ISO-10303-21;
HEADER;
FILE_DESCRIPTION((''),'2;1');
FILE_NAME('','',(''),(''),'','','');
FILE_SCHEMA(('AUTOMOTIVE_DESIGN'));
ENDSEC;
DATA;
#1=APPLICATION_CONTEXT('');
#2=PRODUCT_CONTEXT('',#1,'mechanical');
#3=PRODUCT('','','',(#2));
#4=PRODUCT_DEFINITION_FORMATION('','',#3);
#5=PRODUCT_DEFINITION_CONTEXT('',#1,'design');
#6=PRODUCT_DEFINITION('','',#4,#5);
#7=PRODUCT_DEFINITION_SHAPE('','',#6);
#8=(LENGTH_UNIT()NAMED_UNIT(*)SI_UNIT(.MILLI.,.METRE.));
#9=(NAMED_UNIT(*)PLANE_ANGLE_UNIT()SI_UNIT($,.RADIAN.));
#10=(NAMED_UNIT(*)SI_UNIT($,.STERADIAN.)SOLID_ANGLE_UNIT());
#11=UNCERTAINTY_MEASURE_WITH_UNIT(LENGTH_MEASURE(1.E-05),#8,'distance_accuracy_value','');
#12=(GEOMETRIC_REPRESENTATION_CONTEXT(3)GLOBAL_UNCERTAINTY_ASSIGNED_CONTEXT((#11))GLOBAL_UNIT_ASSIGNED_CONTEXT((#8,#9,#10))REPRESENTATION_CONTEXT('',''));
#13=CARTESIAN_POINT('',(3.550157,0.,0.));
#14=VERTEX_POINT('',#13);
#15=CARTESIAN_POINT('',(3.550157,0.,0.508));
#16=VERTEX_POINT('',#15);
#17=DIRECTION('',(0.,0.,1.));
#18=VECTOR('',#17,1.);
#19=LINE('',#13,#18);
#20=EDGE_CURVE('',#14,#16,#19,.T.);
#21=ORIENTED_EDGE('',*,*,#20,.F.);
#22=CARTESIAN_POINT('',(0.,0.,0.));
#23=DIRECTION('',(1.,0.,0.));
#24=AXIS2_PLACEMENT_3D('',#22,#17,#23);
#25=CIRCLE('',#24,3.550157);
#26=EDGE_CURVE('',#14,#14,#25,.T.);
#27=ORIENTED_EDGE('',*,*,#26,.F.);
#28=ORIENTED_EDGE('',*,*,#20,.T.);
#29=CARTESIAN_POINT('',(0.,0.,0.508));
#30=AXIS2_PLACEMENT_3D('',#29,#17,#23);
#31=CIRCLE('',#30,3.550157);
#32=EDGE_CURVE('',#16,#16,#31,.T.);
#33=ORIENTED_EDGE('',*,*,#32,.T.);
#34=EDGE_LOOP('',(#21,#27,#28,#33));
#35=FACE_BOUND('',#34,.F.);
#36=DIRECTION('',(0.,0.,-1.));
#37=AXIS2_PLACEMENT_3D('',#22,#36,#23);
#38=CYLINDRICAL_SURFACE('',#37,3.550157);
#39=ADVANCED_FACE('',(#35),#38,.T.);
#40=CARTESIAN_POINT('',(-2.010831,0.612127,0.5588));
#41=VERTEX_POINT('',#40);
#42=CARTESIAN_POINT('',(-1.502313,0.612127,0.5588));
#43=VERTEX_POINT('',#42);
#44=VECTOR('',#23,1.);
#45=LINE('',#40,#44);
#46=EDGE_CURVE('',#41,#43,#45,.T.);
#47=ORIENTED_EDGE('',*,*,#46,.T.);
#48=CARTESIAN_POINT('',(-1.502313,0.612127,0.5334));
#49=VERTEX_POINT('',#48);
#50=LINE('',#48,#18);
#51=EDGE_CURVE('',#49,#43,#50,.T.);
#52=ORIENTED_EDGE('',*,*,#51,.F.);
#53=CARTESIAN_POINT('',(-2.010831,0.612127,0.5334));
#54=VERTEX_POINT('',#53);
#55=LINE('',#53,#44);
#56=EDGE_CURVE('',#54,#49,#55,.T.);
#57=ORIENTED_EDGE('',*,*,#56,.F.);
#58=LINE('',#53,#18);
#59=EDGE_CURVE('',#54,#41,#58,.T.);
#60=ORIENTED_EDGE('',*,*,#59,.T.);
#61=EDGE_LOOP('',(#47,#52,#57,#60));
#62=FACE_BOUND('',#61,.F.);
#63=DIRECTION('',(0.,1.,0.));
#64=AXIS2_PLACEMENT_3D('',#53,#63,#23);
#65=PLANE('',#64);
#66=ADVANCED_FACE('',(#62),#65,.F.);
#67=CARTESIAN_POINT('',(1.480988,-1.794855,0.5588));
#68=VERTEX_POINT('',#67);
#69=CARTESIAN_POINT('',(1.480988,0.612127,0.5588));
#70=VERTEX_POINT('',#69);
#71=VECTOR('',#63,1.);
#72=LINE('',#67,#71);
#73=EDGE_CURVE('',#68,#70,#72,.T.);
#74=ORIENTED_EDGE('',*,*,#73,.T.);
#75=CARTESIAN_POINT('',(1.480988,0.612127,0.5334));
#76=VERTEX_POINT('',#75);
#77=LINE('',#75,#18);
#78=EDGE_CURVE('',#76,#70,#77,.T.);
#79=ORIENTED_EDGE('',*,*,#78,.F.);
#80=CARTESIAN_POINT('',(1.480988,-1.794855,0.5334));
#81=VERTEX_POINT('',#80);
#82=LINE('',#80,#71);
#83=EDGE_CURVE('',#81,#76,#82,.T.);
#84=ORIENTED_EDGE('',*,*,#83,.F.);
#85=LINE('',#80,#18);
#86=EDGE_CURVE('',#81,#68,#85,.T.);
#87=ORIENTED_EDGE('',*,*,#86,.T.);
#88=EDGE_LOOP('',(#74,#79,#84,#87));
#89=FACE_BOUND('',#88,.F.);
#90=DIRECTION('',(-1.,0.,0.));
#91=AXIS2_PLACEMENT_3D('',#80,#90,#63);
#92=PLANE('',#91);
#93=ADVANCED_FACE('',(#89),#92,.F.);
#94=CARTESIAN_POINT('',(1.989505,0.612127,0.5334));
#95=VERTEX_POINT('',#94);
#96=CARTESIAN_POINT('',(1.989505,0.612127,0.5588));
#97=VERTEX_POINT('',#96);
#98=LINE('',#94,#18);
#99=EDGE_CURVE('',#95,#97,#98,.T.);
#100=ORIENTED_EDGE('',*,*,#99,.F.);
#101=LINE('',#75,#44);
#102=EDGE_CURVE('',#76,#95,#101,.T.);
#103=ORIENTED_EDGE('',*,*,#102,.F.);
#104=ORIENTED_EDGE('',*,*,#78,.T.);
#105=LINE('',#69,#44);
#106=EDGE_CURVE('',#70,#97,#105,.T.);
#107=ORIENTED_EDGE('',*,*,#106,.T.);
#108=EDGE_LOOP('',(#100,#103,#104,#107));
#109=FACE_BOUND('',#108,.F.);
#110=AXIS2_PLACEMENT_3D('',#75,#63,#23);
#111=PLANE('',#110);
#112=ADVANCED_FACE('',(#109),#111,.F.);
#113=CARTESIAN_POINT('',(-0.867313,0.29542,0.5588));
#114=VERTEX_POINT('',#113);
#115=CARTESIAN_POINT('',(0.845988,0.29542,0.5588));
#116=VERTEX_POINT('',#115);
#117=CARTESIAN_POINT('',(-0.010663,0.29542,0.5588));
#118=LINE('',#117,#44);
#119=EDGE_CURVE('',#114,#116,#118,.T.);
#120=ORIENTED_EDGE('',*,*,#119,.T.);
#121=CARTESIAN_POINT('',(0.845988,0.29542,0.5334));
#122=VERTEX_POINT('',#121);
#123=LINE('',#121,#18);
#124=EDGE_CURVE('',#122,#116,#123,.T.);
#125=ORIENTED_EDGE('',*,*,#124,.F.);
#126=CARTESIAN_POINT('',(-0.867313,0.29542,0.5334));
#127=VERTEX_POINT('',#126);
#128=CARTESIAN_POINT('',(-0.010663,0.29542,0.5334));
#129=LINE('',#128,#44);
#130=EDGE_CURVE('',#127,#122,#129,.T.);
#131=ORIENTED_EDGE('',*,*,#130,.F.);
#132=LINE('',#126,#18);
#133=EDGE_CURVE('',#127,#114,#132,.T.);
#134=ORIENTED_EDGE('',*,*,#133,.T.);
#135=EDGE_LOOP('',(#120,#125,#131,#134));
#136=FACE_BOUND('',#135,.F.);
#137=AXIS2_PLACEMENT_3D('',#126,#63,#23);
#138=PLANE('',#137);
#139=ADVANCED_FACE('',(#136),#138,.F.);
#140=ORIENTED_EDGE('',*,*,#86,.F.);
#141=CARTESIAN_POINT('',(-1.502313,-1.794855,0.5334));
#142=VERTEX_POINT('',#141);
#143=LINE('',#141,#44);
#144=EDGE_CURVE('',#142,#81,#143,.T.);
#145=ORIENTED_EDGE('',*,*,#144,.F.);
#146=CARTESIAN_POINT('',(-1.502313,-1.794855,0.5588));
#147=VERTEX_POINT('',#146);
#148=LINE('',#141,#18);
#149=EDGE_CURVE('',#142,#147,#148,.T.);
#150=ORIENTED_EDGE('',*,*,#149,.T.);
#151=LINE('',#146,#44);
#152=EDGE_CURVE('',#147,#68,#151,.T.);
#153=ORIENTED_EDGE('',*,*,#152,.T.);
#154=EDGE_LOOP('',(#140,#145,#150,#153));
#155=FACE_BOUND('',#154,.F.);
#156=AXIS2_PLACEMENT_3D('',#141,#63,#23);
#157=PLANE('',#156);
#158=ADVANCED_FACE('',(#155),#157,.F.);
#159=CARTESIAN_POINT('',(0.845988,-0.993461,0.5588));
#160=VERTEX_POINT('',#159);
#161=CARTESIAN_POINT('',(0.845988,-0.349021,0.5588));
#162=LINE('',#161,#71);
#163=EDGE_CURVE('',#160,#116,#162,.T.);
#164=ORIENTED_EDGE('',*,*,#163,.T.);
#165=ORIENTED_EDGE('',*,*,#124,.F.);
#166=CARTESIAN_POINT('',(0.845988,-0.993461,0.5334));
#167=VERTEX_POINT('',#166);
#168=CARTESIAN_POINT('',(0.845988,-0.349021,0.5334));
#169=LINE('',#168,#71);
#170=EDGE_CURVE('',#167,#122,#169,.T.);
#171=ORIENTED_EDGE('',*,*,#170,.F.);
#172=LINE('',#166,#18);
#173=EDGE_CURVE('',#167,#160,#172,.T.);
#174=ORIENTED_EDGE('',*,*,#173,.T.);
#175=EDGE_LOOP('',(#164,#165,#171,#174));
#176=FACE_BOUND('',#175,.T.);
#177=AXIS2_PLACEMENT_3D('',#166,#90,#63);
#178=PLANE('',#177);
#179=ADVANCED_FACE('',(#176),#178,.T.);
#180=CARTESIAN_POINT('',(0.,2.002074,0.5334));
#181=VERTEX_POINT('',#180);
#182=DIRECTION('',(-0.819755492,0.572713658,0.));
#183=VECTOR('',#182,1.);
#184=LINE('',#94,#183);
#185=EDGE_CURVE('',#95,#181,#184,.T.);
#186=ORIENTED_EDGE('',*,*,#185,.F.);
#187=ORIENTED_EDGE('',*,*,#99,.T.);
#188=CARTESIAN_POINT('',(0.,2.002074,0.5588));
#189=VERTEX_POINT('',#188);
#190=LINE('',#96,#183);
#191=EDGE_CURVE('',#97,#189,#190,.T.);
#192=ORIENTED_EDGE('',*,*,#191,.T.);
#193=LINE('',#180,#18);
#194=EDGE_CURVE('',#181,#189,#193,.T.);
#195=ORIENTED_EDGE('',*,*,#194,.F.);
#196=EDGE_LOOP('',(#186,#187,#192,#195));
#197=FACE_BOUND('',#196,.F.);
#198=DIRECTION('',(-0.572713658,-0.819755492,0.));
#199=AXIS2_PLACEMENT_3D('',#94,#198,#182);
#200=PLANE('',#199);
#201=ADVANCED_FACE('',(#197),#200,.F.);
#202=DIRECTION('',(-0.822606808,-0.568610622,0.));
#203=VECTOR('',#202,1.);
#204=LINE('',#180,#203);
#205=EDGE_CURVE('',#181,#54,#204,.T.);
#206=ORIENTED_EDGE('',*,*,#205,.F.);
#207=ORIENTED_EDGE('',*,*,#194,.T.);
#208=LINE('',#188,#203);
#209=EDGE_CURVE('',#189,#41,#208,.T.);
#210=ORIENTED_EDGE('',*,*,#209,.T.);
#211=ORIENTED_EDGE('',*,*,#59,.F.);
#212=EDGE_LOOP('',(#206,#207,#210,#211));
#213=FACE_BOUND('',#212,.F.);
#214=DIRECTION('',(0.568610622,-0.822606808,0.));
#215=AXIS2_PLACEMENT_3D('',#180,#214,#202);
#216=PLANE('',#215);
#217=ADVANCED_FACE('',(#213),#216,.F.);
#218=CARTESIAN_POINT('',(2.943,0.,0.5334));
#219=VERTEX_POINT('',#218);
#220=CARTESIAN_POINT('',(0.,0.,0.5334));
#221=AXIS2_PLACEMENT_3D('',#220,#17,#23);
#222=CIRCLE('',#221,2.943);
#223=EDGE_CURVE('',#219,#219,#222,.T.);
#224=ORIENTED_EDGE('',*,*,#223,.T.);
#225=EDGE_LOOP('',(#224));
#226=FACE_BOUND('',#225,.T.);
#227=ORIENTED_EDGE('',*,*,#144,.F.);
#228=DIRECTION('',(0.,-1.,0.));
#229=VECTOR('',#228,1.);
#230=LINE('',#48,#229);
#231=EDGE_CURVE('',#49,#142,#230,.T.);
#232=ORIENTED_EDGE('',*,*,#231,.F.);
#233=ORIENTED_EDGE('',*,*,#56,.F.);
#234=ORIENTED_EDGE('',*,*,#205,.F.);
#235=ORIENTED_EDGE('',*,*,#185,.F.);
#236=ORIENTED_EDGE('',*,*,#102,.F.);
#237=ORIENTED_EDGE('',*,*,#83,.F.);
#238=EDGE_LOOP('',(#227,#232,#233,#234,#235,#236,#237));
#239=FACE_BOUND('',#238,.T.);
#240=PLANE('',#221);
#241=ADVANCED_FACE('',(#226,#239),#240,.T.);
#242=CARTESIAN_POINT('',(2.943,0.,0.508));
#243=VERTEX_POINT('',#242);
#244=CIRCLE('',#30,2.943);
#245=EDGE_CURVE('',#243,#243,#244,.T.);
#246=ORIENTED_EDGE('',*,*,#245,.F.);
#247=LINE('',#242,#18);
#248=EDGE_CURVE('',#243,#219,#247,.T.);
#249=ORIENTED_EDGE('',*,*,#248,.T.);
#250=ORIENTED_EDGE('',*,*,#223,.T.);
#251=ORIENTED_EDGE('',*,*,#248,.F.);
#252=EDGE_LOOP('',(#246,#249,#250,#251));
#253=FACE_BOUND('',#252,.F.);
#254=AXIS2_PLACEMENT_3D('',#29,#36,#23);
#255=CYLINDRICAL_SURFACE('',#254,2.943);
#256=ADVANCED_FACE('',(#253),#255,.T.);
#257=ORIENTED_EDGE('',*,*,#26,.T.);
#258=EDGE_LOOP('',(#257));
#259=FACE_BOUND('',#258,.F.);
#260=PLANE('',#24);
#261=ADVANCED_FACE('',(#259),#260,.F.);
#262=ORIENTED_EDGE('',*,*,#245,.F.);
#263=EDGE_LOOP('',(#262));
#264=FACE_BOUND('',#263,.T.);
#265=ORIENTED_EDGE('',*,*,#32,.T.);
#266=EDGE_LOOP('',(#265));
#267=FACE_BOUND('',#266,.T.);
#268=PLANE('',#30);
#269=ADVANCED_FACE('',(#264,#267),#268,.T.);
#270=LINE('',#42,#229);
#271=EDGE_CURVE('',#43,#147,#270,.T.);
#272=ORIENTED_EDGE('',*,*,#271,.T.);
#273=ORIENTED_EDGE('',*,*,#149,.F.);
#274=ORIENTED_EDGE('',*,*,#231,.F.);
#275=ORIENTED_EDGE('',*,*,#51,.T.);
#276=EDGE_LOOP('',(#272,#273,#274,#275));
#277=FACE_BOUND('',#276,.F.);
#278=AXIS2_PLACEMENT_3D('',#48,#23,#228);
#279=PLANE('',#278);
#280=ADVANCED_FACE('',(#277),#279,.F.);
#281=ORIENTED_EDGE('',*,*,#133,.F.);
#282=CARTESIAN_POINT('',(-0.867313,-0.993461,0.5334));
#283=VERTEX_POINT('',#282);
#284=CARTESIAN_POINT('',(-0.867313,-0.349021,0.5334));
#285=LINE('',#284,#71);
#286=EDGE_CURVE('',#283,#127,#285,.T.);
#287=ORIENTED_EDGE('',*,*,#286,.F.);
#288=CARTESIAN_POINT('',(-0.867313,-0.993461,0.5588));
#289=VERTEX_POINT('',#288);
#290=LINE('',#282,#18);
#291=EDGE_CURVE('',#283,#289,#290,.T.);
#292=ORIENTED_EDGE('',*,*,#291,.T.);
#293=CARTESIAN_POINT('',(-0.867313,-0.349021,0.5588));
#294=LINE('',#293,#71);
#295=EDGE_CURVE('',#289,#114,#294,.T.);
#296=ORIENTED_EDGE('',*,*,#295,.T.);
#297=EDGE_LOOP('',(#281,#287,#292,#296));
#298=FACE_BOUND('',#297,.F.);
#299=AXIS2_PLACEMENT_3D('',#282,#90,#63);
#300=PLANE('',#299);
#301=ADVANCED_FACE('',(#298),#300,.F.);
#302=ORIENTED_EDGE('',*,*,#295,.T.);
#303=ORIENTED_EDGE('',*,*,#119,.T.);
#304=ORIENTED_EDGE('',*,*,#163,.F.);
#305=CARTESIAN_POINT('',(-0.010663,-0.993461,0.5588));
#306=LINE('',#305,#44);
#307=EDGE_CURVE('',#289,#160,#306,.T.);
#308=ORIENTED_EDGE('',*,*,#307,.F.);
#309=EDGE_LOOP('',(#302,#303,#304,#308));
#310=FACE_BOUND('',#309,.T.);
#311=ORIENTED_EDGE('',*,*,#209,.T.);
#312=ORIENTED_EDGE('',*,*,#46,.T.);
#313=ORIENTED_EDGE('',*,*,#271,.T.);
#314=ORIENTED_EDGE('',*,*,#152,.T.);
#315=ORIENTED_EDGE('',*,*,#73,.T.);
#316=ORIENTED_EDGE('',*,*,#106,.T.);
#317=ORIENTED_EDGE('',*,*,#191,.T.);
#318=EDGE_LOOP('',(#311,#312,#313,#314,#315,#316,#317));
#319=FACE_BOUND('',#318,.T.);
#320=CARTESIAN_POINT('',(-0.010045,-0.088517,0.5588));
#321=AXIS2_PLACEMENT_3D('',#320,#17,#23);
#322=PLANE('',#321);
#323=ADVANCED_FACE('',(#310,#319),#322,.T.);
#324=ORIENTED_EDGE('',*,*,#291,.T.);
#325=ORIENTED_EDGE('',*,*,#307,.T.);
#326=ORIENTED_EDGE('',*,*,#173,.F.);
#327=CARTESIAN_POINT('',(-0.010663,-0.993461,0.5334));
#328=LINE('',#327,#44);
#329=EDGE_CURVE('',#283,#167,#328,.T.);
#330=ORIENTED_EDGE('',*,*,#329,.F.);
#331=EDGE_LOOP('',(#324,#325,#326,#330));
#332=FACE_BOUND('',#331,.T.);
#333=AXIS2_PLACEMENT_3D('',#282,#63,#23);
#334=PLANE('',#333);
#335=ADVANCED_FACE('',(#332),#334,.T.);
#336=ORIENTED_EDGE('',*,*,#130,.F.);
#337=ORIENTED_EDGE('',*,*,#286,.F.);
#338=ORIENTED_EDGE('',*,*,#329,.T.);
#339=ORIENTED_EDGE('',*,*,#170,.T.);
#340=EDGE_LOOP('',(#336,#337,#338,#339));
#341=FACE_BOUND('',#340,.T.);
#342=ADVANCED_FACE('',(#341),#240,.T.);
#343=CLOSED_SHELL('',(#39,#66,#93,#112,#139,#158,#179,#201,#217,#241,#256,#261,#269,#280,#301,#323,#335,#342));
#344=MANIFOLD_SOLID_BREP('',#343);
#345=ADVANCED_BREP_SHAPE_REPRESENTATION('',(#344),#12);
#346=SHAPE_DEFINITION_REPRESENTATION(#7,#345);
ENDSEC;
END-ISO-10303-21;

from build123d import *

# Parameters (mm, degrees)
F0_R     = 3.550157
F1_DEPTH = 0.508
F2_R     = 2.943
F3_DEPTH = 0.0254
F4_W     = 1.713301
F4_H     = 1.288881
F5_DEPTH = 0.0254


with BuildPart() as f1:
    # F0 (on Top) → F1 (new body)
    with BuildSketch(Plane.XY):
        Circle(F0_R)
    extrude(amount=F1_DEPTH)

    # F2 (on face) → F3 (join)
    with BuildSketch(Plane.XY.offset(0.508)):
        Circle(F2_R)
    extrude(amount=F3_DEPTH)

    # F4 (on face) → F5 (join)
    with BuildSketch(Plane.XY.offset(0.5334)):
        Polygon((-1.502313, -1.794855), (1.480988, -1.794855), (1.480988, 0.612127), (1.989505, 0.612127), (0, 2.002074), (-2.010831, 0.612127), (-1.502313, 0.612127), align=None)
        with Locations((-0.010663, -0.349021)):
            Rectangle(F4_W, F4_H, mode=Mode.SUBTRACT)
    extrude(amount=F5_DEPTH)


solid = f1.part
